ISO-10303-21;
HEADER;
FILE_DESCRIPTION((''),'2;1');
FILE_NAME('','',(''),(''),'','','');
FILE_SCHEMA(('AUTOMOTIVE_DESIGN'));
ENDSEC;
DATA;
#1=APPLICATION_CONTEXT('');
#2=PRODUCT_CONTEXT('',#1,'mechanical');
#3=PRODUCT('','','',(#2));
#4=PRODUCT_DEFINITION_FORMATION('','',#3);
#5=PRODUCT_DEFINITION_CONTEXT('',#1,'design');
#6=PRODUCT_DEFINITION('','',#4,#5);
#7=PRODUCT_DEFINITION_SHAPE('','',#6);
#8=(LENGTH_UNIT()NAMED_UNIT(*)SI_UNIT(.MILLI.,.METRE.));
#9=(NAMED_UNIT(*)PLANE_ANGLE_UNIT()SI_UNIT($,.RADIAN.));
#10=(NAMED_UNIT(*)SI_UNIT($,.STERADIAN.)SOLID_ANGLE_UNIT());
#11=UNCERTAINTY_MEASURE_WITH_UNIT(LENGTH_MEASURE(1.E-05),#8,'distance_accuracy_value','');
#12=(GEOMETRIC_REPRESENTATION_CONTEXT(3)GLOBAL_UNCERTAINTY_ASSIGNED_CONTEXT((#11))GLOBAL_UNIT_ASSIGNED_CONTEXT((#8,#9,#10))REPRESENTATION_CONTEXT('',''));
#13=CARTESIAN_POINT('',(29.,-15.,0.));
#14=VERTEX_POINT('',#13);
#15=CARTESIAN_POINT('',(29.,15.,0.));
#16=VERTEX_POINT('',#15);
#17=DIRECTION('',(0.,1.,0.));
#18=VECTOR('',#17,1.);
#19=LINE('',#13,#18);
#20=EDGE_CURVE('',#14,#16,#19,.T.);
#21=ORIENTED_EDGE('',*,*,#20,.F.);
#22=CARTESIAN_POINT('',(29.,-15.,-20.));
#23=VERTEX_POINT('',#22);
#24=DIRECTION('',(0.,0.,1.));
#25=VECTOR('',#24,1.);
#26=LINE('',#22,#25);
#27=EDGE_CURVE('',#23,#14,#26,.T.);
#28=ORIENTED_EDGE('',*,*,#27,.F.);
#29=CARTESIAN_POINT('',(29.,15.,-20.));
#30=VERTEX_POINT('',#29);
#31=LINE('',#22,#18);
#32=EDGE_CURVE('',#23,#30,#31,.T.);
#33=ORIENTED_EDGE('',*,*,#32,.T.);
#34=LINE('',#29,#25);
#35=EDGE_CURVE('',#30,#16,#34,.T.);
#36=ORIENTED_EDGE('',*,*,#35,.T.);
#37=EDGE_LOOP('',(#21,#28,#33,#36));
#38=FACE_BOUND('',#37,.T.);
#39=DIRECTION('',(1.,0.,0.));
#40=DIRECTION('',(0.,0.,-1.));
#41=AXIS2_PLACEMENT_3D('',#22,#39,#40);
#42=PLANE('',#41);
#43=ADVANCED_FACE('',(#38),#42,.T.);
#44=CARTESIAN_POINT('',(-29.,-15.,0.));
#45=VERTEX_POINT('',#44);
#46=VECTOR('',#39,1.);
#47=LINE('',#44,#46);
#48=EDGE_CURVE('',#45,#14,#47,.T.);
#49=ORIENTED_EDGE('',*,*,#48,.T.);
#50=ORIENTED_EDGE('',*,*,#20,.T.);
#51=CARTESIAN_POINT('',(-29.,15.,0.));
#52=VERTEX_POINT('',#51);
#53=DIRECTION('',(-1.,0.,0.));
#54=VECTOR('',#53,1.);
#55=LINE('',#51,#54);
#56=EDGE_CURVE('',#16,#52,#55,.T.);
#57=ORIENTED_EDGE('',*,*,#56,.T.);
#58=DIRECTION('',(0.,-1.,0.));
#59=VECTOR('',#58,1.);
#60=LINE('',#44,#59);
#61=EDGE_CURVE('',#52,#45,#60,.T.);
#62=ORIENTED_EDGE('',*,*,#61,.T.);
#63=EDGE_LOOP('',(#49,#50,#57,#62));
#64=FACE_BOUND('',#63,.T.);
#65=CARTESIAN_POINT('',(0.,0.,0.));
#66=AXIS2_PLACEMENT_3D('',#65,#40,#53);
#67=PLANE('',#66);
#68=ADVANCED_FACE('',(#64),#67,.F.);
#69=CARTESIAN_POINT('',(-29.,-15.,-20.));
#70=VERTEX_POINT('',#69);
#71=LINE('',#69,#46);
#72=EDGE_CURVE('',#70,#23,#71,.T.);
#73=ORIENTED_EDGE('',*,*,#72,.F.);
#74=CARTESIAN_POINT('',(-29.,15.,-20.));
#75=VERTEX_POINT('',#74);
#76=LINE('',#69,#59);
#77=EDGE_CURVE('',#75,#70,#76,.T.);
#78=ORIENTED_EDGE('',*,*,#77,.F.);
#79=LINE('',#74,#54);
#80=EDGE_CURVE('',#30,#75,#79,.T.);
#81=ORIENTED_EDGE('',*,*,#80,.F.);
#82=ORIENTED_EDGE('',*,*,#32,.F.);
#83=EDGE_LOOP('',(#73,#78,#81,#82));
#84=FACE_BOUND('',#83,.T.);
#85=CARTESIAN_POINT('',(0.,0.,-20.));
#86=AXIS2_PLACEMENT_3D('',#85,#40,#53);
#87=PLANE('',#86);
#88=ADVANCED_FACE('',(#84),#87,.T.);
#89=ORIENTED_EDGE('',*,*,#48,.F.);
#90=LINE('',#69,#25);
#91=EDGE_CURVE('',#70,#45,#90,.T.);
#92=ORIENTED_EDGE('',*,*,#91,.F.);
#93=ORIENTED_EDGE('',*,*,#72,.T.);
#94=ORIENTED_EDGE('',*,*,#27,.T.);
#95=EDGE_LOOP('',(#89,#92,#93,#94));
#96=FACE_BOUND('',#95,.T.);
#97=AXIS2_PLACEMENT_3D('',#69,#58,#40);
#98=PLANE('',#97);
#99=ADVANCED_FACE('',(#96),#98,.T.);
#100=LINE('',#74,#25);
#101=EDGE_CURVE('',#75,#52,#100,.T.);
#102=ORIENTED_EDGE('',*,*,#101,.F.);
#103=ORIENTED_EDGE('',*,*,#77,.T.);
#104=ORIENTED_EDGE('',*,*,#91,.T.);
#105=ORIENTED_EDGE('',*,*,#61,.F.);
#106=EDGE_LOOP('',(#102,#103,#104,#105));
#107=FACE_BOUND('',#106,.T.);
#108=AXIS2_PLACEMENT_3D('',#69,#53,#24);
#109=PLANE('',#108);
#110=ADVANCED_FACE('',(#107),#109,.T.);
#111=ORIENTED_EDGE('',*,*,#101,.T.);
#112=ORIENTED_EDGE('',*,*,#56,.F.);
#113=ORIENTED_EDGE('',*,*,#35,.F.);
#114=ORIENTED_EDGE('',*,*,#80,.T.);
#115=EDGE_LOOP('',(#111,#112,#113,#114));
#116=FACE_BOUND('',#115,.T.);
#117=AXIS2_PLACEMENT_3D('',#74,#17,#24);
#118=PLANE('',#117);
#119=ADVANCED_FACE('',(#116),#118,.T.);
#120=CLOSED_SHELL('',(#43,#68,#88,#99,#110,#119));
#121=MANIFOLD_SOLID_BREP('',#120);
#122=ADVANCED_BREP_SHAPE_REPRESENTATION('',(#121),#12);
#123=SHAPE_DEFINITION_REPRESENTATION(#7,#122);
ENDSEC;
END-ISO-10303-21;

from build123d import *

# Parameters (mm, degrees)
SKETCH_1_W      = 58
SKETCH_1_H      = 30
EXTRUDE_1_DEPTH = 20


with BuildPart() as part:
    # 草图1 → 凸台-拉伸1 (new body)
    with BuildSketch(Plane.XY):
        Rectangle(SKETCH_1_W, SKETCH_1_H)
    extrude(amount=-EXTRUDE_1_DEPTH)


solid = part.part
